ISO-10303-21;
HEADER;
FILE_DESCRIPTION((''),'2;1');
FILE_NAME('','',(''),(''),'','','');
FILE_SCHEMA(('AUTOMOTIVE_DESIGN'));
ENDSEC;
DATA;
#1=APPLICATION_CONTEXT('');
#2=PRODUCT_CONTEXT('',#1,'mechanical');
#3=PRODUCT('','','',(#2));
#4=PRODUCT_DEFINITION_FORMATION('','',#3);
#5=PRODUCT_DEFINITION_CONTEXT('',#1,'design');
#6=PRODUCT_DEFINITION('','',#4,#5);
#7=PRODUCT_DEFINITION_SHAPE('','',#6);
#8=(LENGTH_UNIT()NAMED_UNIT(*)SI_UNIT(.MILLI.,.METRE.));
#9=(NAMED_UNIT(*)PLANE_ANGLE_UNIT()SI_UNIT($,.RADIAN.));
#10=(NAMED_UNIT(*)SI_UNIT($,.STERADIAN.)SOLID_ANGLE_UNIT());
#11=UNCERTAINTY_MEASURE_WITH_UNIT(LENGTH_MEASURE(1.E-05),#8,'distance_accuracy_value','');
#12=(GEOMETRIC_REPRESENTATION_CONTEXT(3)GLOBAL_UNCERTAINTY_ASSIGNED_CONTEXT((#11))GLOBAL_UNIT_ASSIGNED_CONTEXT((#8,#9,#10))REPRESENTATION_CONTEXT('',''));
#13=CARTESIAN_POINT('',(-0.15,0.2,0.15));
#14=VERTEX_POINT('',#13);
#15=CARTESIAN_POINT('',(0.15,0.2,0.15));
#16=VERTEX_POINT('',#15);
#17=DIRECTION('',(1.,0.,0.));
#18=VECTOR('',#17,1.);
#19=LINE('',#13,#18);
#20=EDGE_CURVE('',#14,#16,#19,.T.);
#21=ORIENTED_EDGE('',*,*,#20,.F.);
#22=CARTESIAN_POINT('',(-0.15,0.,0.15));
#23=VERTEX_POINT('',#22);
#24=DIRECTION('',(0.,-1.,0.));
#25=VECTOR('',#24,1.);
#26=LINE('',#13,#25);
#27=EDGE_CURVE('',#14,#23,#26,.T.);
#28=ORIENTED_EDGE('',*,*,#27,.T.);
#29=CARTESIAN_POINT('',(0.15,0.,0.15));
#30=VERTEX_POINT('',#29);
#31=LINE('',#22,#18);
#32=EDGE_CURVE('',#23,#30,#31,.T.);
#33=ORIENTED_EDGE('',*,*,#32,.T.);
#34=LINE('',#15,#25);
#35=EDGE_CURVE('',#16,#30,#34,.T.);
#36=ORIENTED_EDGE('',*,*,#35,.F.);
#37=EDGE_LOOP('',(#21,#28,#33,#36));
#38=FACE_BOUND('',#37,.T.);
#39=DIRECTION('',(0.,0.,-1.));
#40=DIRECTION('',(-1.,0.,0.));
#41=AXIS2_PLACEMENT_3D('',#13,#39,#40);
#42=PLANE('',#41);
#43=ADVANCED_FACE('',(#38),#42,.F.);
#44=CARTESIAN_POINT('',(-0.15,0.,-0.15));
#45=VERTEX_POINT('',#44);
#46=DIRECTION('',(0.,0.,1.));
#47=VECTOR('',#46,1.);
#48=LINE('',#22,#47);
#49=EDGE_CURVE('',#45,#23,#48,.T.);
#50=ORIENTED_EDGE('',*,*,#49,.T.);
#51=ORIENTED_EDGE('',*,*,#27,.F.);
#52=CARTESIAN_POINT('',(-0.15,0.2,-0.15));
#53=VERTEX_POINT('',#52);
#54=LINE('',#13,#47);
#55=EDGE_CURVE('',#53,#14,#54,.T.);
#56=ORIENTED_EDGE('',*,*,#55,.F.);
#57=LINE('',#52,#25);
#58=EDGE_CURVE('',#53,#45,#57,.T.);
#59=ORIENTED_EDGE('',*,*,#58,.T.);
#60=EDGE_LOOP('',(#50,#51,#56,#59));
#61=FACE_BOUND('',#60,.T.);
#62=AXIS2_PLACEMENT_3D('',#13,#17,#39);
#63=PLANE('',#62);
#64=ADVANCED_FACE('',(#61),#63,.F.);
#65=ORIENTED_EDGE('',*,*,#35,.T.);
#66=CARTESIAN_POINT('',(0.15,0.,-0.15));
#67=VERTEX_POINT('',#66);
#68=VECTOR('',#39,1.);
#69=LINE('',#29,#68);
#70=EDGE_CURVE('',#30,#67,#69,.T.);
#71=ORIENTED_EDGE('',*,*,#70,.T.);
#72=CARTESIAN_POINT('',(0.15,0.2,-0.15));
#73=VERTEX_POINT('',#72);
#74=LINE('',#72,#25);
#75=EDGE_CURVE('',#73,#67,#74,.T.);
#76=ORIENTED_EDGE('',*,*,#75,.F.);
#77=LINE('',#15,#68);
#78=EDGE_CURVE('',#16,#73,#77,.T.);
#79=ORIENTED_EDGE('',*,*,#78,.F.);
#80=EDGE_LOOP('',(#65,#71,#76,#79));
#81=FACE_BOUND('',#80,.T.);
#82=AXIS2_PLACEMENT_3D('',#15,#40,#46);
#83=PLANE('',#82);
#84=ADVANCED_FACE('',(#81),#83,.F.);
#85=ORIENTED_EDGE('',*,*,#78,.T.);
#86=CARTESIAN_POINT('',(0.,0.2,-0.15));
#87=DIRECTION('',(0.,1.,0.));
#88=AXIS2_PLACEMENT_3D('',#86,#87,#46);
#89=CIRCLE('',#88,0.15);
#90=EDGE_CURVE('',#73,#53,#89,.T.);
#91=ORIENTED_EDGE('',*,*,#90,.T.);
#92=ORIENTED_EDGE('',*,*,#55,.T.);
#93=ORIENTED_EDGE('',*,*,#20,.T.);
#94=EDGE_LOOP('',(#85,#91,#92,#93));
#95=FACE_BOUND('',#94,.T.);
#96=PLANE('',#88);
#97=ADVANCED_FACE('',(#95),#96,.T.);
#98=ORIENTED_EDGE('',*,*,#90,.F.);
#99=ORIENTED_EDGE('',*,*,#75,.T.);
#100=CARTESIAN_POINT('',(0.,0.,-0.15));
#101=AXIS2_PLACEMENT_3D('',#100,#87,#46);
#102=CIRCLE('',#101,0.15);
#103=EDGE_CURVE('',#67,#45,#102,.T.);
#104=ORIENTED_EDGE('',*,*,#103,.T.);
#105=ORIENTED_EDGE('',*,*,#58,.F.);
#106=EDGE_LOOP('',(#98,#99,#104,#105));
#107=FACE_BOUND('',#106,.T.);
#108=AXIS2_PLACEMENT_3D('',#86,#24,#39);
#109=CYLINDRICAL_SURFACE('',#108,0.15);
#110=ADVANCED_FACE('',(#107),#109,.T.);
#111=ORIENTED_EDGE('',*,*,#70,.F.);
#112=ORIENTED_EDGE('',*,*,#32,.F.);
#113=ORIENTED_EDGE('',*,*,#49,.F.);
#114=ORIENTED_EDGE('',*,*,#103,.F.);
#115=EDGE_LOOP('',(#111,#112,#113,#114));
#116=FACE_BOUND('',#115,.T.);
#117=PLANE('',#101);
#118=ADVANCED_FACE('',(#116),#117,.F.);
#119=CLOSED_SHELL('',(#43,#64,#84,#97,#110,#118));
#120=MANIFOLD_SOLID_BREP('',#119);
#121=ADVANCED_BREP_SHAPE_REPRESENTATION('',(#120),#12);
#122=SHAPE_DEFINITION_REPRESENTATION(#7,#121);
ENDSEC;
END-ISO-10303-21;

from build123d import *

# Parameters (mm, degrees)
BOSS_EXTRUDE1_DEPTH = 0.2


with BuildPart() as part:
    # Sketch1 → Boss-Extrude1 (new body)
    with BuildSketch(Plane(origin=(0, 0, 0), x_dir=(1, 0, 0), z_dir=(0, 1, 0))):
        with BuildLine():
            Line((-0.15, -0.15), (0.15, -0.15))
            Line((0.15, -0.15), (0.15, 0.15))
            ThreePointArc((0.15, 0.15), (0, 0.3), (-0.15, 0.15))
            Line((-0.15, 0.15), (-0.15, -0.15))
        make_face()
    extrude(amount=BOSS_EXTRUDE1_DEPTH)


solid = part.part
